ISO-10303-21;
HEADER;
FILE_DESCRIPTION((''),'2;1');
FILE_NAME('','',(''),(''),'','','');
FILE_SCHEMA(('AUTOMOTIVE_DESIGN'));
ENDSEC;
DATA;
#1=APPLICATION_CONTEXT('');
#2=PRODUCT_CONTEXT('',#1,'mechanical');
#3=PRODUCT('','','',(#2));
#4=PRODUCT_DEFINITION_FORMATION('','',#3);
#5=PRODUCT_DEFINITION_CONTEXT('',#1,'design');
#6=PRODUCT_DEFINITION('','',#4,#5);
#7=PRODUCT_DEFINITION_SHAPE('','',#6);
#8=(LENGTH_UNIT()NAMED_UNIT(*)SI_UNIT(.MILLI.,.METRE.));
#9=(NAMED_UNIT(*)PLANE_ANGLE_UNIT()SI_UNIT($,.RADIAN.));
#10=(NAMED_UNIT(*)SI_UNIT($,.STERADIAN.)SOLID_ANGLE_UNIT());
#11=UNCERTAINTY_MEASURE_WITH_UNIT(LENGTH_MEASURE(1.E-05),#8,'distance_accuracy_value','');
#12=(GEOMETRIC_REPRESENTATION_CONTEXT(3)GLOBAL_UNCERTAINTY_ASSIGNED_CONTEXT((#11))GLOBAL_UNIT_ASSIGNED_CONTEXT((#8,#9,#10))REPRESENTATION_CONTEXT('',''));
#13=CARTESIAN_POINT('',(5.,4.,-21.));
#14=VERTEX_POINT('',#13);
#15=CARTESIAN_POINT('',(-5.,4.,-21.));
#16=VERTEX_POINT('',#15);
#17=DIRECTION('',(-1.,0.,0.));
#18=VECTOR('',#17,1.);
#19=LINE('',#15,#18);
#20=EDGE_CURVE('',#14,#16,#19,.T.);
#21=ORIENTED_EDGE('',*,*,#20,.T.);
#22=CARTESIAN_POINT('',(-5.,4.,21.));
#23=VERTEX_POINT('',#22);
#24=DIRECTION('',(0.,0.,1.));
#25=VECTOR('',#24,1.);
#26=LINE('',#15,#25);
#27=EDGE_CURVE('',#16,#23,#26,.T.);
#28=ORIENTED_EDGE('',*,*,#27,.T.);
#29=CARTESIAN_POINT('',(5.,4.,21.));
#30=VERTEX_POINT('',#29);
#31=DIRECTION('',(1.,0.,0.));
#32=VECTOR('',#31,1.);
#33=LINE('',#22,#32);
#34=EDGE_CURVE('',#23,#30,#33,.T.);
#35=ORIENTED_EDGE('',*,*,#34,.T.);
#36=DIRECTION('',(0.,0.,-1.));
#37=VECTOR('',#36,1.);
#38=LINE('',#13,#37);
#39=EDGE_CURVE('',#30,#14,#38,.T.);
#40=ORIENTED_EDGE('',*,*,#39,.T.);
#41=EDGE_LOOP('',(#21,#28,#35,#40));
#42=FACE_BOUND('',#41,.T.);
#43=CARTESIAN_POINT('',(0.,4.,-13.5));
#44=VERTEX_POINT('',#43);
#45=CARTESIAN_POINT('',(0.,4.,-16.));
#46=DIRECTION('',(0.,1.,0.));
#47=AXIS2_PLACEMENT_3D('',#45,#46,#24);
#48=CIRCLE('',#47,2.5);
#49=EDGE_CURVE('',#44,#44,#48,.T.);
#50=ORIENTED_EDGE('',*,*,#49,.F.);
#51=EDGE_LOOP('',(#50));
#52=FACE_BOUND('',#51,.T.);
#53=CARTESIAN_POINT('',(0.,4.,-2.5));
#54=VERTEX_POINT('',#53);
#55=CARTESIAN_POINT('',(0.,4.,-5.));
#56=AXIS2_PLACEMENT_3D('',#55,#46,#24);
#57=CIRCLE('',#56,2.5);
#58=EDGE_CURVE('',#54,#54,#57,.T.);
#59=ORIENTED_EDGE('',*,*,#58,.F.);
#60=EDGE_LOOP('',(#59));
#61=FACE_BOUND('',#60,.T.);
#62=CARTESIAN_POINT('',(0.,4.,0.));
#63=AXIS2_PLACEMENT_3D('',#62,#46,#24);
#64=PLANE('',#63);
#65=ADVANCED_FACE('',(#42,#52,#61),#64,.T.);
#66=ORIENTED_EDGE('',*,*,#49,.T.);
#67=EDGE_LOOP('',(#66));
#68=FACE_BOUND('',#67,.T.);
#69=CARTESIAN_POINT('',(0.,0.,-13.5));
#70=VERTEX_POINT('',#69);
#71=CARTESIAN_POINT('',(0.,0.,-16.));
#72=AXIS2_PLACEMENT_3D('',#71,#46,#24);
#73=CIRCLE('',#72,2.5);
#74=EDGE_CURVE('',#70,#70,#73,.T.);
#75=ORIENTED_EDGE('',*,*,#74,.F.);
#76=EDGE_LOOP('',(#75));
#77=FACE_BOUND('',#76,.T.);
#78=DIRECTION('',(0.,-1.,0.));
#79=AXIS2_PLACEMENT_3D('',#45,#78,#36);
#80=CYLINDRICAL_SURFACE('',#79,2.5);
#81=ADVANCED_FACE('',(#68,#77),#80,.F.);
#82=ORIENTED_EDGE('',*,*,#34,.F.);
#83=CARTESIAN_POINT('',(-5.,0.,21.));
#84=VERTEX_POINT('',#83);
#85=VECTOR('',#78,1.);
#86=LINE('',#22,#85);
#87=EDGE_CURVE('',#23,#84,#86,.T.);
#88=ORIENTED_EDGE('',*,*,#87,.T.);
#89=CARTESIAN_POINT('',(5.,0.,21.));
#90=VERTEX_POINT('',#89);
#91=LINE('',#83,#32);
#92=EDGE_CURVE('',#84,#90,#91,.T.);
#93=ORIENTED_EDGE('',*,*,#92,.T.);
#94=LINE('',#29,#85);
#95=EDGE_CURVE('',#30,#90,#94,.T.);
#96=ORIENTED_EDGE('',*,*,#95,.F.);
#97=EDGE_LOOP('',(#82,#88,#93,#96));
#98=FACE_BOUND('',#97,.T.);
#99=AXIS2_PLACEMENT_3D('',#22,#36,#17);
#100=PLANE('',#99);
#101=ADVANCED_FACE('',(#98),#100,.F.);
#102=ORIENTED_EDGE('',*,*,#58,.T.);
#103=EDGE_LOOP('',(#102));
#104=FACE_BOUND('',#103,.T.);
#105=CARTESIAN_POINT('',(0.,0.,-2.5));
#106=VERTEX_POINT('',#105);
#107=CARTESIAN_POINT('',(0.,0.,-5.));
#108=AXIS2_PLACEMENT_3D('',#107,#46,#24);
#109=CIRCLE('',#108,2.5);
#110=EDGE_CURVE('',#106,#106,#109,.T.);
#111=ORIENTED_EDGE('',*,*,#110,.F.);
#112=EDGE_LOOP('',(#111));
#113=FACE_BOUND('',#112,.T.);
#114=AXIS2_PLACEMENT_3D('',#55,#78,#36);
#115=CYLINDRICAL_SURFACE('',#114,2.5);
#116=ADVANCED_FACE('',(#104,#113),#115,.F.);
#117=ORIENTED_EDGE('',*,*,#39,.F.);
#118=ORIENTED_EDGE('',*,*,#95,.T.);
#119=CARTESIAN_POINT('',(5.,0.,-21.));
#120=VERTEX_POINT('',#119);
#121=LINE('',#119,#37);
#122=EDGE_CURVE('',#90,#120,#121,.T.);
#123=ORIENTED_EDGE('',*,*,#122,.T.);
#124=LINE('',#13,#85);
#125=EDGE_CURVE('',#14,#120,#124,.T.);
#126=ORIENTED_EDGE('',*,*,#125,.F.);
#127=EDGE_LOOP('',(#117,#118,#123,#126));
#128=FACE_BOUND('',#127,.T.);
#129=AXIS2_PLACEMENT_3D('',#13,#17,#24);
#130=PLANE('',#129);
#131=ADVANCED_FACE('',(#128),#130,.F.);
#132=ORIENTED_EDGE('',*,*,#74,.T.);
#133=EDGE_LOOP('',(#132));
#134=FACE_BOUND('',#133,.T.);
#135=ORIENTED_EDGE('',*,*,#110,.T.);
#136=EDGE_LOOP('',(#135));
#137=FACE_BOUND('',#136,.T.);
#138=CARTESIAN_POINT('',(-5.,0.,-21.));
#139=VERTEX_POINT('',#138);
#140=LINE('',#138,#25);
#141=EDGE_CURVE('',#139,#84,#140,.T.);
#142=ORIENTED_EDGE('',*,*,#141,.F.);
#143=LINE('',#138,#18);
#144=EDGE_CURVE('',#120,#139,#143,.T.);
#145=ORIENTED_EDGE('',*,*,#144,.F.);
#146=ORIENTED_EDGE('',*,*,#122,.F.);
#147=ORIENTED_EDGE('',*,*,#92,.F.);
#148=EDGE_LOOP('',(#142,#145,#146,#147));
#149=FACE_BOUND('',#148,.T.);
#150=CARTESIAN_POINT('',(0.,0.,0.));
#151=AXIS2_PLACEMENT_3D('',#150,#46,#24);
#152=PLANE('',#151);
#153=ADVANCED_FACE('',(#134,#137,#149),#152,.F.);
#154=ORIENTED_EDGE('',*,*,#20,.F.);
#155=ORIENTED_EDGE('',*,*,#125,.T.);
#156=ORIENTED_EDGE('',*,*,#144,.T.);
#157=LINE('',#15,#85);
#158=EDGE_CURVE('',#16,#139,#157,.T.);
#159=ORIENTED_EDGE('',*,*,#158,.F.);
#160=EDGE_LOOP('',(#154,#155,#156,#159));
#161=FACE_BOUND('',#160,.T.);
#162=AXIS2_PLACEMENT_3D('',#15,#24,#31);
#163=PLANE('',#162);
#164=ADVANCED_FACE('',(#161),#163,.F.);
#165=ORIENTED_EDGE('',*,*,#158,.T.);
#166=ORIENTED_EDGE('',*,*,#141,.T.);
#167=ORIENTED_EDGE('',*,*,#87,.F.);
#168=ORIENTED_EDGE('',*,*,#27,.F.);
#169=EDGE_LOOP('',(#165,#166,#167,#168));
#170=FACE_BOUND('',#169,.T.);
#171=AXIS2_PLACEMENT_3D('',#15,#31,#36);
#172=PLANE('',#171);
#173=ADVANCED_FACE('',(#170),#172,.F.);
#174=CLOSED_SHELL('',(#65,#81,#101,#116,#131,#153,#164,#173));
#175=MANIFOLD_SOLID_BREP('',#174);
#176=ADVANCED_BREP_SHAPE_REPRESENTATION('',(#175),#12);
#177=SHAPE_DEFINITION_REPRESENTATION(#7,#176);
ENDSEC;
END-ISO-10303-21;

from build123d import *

# Parameters (mm, degrees)
SKETCH1_W           = 10
SKETCH1_H           = 42
SKETCH1_R           = 2.5
BOSS_EXTRUDE1_DEPTH = 4


with BuildPart() as part:
    # Sketch1 → Boss-Extrude1 (new body)
    with BuildSketch(Plane(origin=(0, 0, 0), x_dir=(1, 0, 0), z_dir=(0, 1, 0))):
        Rectangle(SKETCH1_W, SKETCH1_H)
        with Locations(Location((0, 16, 0), (0, 0, 270))):
            Circle(SKETCH1_R, mode=Mode.SUBTRACT)
        with Locations(Location((0, 5, 0), (0, 0, 270))):
            Circle(SKETCH1_R, mode=Mode.SUBTRACT)
    extrude(amount=BOSS_EXTRUDE1_DEPTH)


solid = part.part
